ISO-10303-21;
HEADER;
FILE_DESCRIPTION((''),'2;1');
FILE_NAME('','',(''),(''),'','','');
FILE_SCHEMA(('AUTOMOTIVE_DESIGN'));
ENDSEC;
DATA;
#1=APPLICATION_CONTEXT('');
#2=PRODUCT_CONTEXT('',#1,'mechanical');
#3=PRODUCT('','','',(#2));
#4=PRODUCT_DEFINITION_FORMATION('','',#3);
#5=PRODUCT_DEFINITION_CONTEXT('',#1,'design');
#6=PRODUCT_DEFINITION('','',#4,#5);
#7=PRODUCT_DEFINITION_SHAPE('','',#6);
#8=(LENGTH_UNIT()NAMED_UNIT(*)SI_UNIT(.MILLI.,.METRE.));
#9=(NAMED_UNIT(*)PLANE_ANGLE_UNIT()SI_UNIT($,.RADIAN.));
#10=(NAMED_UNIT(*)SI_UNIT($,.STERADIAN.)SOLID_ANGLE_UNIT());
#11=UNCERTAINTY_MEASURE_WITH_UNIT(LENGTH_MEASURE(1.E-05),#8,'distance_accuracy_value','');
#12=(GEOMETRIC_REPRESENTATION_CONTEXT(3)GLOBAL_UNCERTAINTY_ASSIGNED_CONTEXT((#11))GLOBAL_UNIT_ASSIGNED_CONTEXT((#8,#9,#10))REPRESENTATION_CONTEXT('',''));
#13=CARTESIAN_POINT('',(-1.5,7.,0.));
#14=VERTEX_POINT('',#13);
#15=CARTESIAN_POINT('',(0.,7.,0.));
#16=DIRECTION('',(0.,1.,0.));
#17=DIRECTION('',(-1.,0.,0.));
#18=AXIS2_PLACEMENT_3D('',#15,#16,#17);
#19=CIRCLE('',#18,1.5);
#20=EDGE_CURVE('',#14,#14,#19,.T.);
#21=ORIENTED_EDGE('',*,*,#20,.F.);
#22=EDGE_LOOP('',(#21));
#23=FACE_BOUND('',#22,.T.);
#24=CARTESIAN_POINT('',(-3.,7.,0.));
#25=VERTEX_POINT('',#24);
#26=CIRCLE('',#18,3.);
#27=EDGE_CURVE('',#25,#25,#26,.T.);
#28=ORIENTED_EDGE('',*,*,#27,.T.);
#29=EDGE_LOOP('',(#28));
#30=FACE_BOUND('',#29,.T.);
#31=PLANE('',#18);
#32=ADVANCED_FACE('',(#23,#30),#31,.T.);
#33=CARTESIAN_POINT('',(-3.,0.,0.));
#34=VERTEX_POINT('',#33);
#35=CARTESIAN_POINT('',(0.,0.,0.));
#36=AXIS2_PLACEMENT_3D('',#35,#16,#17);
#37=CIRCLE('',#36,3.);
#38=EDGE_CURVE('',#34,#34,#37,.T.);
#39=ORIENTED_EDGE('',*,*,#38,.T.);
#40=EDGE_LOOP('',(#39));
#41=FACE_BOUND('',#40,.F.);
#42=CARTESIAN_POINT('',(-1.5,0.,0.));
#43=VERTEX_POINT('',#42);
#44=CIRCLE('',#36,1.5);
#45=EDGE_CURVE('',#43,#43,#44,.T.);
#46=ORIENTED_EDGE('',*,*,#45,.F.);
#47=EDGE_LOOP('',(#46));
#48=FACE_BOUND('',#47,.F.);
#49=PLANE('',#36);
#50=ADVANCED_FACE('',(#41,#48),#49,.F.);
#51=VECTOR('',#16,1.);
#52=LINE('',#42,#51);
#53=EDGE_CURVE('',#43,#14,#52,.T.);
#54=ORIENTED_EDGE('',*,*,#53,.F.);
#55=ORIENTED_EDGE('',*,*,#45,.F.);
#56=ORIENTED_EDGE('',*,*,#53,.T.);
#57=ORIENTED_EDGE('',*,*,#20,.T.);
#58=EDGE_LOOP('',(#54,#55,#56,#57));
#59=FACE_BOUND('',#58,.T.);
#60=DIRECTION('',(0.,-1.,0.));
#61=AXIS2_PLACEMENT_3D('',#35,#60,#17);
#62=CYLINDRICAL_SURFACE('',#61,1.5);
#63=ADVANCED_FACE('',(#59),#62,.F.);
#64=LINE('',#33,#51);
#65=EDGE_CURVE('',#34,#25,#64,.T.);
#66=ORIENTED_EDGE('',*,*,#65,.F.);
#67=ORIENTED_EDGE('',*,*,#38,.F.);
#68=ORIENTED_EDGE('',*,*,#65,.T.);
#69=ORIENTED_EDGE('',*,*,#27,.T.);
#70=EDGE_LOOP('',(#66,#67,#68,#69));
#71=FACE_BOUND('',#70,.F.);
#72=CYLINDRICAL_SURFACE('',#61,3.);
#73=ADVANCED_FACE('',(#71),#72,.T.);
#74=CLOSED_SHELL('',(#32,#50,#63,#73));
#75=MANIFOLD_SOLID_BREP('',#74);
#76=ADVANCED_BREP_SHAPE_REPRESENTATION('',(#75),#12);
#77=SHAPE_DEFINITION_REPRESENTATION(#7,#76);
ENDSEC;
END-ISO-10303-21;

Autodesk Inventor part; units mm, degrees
ref_plane "YZ Plane" through (0, 0, 0) normal (1, 0, 0) x (0, 1, 0)
ref_plane "XZ Plane" through (0, 0, 0) normal (0, 1, 0) x (-1, 0, 0)
ref_plane "XY Plane" through (0, 0, 0) normal (0, 0, 1) x (1, 0, 0)
sketch "Эскиз1" plane through (0, 0, 0) normal (0, 1, 0) x (-1, 0, 0)
  circle A0 centre (0, 0) radius 1.5
  circle A1 centre (0, 0) radius 3
  dimension "d0" = 3
  dimension "d7" = 6
extrude "Выдавливание1" add sketch "Эскиз1" along normal blind 7
thread "Резьба4" size "M3x0.5" class "6H" standard "ANSI Metric M Profile" length 7
thread "Резьба5" size "M6x1" class "6g" standard "ANSI Metric M Profile" length 7
